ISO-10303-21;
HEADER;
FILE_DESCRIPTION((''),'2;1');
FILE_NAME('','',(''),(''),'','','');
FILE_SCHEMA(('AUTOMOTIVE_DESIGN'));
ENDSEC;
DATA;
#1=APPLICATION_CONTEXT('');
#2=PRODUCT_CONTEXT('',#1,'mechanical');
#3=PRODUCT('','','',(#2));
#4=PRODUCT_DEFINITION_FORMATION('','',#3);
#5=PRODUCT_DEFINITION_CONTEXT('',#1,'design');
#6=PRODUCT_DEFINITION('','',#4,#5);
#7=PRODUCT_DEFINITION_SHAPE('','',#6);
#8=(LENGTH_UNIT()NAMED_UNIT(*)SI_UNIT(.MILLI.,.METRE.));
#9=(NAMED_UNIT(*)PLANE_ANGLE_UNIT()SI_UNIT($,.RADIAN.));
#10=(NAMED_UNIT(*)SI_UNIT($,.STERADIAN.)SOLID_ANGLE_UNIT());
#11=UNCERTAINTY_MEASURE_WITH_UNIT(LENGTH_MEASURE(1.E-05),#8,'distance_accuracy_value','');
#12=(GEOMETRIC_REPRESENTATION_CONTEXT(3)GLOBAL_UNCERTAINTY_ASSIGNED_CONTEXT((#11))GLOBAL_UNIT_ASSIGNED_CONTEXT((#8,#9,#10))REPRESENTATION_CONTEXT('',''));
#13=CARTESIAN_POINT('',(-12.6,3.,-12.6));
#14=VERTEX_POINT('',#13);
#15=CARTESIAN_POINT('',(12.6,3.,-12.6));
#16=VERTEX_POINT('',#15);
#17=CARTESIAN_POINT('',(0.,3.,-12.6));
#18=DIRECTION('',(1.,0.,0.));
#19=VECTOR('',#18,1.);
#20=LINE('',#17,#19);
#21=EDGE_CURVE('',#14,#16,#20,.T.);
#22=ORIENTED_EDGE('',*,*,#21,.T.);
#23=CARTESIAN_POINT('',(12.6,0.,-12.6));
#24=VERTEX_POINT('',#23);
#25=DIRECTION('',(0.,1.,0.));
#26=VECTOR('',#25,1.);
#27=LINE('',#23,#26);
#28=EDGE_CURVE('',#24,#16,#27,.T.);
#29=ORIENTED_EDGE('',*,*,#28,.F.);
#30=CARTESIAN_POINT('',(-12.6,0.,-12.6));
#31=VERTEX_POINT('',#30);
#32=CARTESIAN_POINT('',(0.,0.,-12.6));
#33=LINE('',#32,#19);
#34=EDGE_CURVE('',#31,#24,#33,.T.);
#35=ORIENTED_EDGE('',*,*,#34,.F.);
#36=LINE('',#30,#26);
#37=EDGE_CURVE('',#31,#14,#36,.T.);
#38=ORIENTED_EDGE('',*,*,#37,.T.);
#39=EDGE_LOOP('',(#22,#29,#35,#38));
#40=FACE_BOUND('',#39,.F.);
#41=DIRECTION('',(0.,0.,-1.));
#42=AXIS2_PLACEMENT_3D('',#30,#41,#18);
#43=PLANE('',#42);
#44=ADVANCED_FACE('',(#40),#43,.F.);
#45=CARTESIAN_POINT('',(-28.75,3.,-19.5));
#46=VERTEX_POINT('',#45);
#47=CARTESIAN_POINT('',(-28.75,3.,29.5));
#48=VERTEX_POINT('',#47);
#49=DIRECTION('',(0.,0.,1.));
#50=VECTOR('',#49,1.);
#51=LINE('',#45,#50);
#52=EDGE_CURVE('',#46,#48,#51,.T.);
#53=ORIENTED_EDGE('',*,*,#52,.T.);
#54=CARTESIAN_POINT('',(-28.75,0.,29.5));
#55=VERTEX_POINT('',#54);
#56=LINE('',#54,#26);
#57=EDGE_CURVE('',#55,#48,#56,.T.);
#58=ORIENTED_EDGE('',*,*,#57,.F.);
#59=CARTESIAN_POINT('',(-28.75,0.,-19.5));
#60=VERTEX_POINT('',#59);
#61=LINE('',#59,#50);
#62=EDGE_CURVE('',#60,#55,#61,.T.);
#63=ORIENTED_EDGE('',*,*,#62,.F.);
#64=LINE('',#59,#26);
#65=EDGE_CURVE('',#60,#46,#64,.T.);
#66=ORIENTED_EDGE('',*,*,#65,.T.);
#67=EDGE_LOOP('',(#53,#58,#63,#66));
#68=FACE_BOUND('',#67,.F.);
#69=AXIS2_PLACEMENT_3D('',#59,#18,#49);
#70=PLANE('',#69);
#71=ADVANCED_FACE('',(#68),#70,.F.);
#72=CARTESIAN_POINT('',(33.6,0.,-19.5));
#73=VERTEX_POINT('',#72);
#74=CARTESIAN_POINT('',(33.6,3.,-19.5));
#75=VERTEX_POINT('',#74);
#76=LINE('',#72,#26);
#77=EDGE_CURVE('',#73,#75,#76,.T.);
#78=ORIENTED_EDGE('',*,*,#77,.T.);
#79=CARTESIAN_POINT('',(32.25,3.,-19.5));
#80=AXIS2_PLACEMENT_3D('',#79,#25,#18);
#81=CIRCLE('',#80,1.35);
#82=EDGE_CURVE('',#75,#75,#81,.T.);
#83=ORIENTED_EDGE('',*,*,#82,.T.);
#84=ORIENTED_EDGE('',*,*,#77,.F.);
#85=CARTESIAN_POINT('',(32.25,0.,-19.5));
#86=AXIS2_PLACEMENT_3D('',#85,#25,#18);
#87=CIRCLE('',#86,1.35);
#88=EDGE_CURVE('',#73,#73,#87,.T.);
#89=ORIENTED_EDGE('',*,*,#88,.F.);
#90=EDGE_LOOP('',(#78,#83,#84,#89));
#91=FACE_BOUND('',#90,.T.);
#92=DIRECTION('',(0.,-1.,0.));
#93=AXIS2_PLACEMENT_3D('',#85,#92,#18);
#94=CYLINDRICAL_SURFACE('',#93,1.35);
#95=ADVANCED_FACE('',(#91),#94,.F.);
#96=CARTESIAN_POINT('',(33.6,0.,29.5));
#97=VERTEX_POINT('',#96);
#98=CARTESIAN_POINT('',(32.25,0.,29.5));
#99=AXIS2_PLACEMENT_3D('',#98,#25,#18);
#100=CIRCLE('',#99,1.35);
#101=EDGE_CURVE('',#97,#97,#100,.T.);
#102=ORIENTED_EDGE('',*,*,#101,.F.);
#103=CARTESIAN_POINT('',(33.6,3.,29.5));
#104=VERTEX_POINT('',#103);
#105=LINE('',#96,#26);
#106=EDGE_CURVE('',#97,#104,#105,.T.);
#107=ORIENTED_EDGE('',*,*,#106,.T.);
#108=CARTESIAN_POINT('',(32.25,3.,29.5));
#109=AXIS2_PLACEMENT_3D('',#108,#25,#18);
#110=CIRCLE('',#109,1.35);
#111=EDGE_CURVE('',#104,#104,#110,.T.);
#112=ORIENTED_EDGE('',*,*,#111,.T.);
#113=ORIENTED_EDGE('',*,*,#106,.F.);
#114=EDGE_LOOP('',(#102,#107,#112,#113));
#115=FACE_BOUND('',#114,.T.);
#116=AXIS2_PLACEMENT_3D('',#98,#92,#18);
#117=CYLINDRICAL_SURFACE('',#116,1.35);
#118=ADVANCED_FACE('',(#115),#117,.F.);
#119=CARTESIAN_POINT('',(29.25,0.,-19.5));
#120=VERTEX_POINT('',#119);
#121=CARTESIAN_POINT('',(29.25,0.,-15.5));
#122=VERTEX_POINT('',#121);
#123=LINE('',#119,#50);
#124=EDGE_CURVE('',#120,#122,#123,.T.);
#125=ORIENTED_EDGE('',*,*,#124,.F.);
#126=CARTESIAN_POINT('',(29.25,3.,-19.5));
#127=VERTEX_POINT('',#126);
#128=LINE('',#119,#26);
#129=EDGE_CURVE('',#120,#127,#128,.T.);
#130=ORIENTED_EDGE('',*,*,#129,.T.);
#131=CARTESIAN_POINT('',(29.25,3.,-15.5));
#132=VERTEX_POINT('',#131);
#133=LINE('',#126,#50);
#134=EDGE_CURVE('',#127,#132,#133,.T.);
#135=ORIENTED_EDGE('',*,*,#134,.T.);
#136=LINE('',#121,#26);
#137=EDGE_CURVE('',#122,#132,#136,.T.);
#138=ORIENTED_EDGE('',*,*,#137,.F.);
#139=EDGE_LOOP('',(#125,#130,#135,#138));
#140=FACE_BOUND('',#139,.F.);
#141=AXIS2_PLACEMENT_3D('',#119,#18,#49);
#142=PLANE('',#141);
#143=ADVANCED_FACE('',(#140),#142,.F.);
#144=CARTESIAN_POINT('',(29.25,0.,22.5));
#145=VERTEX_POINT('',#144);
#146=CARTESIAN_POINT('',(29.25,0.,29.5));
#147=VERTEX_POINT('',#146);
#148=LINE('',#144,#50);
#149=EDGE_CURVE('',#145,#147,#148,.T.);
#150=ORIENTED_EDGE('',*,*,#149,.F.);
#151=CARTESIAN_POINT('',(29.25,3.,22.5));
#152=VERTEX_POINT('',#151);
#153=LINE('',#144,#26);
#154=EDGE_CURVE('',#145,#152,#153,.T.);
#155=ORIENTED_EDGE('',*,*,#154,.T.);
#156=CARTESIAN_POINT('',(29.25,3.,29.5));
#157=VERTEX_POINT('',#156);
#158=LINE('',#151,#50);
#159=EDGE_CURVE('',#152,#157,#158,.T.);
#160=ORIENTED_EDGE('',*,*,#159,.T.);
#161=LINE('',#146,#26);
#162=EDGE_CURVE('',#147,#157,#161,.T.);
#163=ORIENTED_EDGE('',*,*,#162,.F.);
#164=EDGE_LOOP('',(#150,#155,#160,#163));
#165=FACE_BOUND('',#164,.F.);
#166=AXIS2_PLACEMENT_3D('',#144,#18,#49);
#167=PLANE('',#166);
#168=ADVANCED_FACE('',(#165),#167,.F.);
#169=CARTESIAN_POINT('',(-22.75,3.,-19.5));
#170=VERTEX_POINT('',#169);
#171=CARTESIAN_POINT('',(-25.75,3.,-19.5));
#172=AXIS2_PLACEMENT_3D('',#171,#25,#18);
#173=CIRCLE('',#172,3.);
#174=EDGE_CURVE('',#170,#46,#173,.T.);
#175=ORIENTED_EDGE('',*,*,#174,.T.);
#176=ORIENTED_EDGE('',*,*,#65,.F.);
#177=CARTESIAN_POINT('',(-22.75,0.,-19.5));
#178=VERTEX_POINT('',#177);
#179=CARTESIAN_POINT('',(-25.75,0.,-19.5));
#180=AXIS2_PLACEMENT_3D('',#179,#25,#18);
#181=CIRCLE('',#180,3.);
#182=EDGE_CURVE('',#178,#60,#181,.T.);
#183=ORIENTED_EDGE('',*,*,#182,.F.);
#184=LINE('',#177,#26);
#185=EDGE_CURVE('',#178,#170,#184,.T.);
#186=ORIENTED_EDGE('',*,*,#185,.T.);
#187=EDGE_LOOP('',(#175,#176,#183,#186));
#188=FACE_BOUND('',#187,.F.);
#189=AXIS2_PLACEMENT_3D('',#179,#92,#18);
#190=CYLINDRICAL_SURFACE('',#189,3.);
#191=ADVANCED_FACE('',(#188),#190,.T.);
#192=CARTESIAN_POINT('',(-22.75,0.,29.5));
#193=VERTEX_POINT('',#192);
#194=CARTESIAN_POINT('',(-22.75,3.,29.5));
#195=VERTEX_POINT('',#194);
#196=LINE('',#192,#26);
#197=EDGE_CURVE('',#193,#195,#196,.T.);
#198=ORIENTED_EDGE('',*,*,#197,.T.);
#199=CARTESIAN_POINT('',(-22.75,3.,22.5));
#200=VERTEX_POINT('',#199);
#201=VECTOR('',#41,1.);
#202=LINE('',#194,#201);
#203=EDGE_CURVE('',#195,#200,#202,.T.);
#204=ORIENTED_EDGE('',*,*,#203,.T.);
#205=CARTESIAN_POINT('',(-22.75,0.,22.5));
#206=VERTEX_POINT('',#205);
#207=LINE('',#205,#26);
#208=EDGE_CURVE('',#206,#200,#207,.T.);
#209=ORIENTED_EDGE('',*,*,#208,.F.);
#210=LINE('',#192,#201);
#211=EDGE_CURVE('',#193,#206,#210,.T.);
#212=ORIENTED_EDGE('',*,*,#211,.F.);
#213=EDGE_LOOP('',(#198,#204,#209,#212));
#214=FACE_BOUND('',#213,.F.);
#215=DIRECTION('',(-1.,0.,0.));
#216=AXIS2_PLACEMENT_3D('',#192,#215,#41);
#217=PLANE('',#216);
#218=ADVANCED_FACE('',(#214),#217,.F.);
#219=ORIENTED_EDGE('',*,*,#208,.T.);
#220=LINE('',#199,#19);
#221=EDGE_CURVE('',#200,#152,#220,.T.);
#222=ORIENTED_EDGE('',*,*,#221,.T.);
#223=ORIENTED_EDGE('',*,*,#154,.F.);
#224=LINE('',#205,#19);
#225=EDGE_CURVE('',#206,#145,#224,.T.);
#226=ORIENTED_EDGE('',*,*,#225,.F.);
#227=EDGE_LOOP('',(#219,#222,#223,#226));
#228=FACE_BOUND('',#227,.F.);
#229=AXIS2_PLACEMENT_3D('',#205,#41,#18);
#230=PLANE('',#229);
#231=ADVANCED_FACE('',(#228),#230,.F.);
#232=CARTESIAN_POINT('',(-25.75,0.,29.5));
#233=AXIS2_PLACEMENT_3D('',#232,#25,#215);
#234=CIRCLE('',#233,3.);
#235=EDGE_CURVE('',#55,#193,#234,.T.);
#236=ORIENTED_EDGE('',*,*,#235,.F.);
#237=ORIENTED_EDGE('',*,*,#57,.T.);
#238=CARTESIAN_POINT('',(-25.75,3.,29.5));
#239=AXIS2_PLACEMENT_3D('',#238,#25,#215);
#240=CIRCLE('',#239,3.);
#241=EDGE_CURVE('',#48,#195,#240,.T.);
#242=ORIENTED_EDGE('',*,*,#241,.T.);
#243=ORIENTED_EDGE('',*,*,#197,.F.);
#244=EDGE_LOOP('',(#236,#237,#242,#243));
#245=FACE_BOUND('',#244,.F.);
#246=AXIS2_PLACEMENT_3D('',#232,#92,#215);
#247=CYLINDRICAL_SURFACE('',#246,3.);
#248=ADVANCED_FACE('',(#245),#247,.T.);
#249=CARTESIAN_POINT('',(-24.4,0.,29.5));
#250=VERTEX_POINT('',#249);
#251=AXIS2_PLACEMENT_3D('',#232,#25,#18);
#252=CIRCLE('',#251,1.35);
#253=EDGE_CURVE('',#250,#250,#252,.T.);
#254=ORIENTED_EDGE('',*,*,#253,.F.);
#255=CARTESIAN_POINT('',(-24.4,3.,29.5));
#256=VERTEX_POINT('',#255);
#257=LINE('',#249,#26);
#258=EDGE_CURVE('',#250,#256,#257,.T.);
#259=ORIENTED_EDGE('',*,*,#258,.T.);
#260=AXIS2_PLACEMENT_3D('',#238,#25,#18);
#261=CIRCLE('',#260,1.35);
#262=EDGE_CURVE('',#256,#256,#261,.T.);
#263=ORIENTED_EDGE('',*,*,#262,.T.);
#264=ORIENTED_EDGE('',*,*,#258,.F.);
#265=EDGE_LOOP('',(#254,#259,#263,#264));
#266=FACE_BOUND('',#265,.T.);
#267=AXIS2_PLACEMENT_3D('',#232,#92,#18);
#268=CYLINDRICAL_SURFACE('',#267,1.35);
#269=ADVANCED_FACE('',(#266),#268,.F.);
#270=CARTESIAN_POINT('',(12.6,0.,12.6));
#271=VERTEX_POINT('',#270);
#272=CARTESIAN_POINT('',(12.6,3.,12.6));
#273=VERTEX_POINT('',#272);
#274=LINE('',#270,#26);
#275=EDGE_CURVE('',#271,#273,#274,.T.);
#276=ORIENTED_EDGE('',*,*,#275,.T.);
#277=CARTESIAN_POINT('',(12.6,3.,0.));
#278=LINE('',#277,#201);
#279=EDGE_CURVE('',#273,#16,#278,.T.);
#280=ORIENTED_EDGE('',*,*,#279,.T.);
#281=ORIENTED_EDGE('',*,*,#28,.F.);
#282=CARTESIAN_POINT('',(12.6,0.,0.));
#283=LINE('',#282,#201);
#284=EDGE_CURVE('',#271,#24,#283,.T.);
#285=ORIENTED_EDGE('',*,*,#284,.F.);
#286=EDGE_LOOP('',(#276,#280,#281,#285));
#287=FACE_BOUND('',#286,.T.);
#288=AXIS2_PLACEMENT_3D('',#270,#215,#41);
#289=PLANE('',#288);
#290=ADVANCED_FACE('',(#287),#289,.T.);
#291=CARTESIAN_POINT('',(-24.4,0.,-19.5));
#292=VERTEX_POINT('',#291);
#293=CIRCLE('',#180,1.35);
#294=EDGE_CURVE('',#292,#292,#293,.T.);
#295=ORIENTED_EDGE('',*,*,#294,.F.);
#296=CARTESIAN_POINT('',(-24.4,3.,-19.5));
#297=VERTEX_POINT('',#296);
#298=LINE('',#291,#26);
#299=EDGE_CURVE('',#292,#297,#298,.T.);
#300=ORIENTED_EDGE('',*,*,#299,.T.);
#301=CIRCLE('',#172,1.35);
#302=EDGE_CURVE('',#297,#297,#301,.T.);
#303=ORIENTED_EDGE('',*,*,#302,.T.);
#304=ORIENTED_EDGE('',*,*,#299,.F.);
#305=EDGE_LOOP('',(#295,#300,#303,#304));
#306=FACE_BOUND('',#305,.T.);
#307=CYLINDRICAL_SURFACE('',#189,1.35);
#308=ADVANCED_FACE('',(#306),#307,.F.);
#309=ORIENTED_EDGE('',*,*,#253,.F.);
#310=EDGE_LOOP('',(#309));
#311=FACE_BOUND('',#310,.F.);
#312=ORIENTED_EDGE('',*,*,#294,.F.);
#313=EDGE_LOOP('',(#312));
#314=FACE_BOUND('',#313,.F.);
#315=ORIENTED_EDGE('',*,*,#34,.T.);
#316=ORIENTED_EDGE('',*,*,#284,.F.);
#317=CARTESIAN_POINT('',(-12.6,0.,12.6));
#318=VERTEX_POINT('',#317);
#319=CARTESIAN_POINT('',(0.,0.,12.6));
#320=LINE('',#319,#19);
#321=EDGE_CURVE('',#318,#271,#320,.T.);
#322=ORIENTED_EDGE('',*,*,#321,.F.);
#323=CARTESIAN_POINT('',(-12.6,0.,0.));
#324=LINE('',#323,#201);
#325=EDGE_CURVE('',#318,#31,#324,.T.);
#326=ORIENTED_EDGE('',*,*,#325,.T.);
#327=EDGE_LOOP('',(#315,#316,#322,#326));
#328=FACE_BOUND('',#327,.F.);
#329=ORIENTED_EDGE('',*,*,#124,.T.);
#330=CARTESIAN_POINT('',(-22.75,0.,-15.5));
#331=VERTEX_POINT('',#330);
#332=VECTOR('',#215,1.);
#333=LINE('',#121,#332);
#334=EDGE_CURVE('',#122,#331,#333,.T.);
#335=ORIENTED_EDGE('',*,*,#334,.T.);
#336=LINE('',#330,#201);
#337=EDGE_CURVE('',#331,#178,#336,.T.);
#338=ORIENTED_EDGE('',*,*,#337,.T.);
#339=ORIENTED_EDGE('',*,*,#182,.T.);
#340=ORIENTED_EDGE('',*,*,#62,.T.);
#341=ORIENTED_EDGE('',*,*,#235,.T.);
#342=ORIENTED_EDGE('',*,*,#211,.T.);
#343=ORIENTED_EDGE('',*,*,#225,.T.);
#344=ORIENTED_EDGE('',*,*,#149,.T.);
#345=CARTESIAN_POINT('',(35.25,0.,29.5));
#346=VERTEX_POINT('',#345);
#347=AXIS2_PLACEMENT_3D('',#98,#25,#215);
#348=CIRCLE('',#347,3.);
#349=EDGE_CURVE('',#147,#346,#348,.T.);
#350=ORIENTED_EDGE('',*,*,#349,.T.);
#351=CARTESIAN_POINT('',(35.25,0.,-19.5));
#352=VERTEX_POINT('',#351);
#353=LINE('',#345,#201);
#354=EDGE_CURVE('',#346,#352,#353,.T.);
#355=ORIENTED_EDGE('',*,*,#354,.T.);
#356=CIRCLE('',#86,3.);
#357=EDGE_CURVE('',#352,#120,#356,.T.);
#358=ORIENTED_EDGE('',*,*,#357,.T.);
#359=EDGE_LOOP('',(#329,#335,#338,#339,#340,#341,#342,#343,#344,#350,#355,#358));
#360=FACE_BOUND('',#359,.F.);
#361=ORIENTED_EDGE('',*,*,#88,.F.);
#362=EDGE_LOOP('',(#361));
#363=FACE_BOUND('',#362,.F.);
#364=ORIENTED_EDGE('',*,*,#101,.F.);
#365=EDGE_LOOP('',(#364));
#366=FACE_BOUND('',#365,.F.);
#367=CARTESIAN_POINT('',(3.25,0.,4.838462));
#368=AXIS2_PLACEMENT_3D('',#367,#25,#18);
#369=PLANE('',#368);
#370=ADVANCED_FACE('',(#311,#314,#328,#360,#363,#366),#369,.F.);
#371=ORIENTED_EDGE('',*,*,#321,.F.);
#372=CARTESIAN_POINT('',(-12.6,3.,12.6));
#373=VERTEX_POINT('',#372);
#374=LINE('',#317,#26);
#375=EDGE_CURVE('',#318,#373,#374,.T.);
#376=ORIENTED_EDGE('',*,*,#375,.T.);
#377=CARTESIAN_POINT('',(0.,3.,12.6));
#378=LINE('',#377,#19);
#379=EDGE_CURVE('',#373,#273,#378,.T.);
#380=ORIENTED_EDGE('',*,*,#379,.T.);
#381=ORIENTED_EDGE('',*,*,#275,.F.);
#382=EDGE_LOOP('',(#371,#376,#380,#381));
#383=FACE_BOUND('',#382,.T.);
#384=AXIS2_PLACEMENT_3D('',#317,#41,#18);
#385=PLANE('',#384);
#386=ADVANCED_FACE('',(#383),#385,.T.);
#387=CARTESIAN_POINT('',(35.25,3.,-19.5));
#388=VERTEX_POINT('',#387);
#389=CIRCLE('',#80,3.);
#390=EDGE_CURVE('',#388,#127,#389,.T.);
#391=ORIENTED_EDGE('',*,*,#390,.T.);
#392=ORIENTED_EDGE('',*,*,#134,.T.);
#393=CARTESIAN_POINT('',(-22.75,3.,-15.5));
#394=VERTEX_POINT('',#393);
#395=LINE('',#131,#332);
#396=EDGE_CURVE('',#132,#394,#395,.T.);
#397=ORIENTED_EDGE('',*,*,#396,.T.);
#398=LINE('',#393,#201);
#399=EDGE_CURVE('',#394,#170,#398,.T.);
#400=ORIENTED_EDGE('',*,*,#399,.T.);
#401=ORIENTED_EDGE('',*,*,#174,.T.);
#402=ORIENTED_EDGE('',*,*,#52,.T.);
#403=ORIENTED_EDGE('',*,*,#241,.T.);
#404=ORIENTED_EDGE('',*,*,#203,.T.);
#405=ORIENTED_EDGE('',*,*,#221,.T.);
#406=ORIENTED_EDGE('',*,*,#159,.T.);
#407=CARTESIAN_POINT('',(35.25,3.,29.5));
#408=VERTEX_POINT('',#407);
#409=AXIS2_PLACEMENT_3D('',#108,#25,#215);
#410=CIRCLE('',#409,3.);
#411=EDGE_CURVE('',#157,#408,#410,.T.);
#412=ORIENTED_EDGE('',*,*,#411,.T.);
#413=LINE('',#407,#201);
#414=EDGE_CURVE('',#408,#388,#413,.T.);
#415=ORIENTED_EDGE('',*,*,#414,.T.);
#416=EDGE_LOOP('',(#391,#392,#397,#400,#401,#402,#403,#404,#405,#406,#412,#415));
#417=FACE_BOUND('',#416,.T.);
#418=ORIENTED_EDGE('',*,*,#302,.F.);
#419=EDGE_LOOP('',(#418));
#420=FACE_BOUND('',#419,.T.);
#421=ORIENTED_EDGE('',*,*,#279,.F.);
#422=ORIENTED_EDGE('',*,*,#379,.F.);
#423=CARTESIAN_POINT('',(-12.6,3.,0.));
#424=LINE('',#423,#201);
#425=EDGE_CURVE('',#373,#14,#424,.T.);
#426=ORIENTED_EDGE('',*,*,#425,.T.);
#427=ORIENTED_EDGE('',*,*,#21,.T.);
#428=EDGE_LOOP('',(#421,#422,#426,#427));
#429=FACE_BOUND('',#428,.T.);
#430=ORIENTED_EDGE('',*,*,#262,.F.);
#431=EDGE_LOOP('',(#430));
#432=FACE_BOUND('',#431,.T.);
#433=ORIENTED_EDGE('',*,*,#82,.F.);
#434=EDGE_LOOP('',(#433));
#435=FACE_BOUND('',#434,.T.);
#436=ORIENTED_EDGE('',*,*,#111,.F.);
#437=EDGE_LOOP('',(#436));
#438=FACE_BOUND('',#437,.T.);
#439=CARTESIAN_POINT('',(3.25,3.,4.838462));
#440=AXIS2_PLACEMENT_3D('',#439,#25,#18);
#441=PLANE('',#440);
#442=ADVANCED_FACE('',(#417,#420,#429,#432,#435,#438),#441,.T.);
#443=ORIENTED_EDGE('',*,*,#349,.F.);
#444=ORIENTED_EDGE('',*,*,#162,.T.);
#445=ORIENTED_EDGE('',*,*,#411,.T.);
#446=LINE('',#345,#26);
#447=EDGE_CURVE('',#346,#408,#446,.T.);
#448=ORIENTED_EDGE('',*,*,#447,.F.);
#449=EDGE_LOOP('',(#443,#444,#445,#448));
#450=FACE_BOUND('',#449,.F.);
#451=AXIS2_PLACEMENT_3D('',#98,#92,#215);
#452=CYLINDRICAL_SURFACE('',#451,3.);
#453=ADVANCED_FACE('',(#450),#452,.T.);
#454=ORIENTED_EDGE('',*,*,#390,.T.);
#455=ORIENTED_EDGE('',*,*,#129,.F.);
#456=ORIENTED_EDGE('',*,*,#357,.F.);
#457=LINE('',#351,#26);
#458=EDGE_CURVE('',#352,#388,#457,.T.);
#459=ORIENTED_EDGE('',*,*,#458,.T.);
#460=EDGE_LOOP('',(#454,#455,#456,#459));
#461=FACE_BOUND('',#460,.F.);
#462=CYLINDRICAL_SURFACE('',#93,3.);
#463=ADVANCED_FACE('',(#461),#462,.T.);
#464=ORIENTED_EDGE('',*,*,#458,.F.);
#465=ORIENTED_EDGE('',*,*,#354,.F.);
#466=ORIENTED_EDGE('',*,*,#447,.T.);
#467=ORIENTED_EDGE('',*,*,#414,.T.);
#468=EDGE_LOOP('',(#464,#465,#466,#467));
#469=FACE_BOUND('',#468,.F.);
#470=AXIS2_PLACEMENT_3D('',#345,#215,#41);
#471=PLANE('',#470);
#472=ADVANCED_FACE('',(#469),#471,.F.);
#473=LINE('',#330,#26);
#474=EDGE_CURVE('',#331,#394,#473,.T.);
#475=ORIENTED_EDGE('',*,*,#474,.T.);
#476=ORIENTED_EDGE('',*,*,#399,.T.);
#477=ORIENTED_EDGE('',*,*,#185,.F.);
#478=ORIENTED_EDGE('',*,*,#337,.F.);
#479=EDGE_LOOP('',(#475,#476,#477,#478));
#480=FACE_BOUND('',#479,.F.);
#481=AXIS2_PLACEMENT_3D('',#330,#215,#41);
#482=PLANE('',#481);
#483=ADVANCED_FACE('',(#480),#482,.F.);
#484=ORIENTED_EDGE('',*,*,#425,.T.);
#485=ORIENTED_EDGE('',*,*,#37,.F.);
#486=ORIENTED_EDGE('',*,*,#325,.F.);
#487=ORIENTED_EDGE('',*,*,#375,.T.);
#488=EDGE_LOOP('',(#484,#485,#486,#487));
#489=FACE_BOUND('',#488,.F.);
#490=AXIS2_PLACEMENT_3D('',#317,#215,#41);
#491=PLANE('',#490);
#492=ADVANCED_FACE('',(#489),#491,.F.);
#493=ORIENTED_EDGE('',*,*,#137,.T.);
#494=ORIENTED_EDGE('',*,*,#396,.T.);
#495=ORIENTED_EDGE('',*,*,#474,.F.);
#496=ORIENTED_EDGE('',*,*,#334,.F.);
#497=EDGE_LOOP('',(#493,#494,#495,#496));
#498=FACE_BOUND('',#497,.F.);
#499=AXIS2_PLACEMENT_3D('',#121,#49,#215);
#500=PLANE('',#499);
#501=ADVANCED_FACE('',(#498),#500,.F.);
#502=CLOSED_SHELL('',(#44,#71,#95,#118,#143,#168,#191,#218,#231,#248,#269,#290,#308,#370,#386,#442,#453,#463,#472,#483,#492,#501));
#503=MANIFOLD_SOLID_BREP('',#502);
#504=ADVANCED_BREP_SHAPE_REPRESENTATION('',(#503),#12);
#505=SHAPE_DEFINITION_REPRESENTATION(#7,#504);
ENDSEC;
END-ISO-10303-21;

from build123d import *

# Parameters (mm, degrees)
SKETCH_1_R      = 1.35
SKETCH_1_W      = 25.2
SKETCH_1_H      = 25.2
EXTRUDE_1_DEPTH = 3


with BuildPart() as part:
    # 草图1 → 凸台-拉伸1 (new body)
    with BuildSketch(Plane(origin=(0, 0, 0), x_dir=(1, 0, 0), z_dir=(0, 1, 0))):
        with BuildLine():
            Line((-28.75, 19.5), (-28.75, -29.5))
            ThreePointArc((-28.75, -29.5), (-25.75, -32.5), (-22.75, -29.5))
            Line((-22.75, -29.5), (-22.75, -22.5))
            Line((-22.75, -22.5), (29.25, -22.5))
            Line((29.25, -22.5), (29.25, -29.5))
            ThreePointArc((29.25, -29.5), (32.25, -32.5), (35.25, -29.5))
            Line((35.25, -29.5), (35.25, 19.5))
            ThreePointArc((35.25, 19.5), (32.25, 22.5), (29.25, 19.5))
            Line((29.25, 19.5), (29.25, 15.5))
            Line((29.25, 15.5), (-22.75, 15.5))
            Line((-22.75, 15.5), (-22.75, 19.5))
            ThreePointArc((-22.75, 19.5), (-25.75, 22.5), (-28.75, 19.5))
        make_face()
        with Locations((-25.75, 19.5)):
            Circle(SKETCH_1_R, mode=Mode.SUBTRACT)
        with Locations((-25.75, -29.5)):
            Circle(SKETCH_1_R, mode=Mode.SUBTRACT)
        with Locations((32.25, 19.5)):
            Circle(SKETCH_1_R, mode=Mode.SUBTRACT)
        with Locations((32.25, -29.5)):
            Circle(SKETCH_1_R, mode=Mode.SUBTRACT)
        Rectangle(SKETCH_1_W, SKETCH_1_H, mode=Mode.SUBTRACT)
    extrude(amount=EXTRUDE_1_DEPTH)


solid = part.part
